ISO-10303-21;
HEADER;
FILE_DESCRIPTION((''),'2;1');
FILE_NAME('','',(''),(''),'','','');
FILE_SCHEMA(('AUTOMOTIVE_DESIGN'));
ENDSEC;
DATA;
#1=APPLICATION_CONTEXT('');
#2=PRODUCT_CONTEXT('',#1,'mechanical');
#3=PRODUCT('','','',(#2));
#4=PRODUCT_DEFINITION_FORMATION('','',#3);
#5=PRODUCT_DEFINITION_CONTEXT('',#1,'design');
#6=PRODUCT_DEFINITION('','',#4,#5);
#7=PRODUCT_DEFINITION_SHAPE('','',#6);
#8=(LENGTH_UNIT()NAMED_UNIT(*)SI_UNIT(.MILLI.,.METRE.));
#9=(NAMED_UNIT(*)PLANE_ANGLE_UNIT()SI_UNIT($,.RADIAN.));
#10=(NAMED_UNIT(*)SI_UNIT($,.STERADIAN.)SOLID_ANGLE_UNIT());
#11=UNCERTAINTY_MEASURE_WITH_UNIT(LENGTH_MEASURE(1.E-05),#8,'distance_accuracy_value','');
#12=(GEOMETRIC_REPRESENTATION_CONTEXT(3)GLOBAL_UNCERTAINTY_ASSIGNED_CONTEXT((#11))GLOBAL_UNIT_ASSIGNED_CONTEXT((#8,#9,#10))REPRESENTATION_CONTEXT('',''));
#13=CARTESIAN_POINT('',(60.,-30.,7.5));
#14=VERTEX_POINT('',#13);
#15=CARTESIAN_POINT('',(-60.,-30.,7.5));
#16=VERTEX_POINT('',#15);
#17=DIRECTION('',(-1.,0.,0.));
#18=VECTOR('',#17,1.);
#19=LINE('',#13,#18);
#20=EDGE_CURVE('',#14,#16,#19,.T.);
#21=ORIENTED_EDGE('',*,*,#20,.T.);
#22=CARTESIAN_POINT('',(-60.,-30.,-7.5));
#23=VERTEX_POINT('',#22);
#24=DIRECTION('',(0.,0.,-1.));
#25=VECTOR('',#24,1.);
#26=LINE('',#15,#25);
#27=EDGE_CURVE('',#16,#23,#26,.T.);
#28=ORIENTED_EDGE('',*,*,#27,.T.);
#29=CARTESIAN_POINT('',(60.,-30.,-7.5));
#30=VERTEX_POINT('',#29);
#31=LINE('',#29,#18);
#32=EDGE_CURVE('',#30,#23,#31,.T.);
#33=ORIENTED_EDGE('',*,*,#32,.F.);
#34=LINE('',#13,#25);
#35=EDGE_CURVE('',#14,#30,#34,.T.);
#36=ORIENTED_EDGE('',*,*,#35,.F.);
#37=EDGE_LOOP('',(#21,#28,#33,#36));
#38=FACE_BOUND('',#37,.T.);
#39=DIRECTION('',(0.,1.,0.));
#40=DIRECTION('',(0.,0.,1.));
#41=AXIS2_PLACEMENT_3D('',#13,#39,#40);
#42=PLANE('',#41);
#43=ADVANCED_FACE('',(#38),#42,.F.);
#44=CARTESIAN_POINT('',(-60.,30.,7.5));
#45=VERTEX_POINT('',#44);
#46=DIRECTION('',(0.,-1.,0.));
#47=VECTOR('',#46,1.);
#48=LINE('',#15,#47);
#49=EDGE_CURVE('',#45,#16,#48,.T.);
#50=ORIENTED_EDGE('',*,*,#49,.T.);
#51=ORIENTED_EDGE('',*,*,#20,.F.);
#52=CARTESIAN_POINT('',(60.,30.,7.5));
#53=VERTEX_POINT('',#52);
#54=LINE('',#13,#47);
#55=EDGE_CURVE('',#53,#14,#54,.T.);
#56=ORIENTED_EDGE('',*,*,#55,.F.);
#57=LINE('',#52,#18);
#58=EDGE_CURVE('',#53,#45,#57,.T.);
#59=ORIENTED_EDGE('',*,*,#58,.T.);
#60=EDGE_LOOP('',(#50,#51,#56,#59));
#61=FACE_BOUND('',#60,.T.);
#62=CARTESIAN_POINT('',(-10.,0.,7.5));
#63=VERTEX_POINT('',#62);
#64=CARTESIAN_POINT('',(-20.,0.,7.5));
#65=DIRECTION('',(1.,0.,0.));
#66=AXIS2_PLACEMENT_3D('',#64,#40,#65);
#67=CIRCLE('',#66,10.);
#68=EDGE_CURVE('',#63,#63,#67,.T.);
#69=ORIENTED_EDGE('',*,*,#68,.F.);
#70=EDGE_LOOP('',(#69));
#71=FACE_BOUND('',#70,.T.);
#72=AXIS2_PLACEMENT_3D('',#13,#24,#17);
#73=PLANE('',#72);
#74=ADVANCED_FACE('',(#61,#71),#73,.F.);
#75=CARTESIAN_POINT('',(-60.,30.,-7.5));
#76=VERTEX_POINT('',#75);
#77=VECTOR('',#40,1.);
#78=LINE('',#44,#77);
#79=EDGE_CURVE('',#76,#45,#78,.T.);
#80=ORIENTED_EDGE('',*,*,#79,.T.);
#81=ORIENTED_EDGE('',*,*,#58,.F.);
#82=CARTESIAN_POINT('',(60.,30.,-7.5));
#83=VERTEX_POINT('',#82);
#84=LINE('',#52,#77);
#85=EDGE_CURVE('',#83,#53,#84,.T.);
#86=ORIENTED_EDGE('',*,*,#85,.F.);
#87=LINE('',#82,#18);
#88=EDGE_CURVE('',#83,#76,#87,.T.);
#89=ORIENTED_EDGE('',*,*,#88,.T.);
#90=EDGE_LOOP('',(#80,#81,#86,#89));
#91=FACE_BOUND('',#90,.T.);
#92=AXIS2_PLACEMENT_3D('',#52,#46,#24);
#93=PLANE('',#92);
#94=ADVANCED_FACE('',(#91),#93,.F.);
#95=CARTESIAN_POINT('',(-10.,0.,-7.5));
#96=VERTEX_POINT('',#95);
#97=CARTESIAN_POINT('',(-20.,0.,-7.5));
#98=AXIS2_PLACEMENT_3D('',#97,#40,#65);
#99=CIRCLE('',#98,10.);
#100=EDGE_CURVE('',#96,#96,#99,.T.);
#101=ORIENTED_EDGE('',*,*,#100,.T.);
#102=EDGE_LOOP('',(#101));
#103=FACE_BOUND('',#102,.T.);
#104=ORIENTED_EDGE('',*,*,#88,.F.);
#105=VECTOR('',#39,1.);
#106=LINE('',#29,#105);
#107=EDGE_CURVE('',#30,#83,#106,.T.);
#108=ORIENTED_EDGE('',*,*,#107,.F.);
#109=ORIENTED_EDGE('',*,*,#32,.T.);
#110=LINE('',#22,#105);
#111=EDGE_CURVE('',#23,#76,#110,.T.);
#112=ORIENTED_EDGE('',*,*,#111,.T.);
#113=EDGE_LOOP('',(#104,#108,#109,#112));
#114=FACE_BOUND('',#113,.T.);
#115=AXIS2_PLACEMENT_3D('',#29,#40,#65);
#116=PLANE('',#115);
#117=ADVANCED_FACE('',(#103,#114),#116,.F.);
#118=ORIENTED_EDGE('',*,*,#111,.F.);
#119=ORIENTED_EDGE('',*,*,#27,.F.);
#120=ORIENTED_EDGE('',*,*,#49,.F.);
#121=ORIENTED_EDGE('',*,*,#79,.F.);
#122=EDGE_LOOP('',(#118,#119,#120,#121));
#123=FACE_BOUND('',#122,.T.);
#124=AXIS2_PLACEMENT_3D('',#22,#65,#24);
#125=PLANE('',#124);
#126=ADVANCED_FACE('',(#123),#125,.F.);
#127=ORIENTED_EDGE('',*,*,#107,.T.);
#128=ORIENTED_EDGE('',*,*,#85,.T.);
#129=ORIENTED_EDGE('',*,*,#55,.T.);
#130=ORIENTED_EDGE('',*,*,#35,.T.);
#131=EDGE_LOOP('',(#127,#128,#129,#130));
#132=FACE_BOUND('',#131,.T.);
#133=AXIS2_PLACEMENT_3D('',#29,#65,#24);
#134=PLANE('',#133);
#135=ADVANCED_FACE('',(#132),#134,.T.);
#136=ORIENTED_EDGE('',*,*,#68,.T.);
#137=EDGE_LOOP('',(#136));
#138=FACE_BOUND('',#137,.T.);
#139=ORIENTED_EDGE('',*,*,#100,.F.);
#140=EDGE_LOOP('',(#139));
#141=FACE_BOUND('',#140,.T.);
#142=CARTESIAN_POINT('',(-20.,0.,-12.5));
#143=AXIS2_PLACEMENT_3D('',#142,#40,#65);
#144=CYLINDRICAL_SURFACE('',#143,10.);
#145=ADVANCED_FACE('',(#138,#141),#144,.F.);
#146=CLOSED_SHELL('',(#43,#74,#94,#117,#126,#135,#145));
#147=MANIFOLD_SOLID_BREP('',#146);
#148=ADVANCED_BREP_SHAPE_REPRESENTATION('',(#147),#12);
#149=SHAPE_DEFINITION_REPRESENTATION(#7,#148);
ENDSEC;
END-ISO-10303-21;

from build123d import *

# Parameters (mm, degrees)
PLAT_W                      = 60
PLAT_H                      = 15
EL_MENT_M_CANO_SOUD_1_DEPTH = 120
ESQUISSE2_R                 = 10
ENL_V_MAT_EXTRU_1_DEPTH     = 20


with BuildPart() as part:
    # plat → Elément mécano-soudé1 (new body)
    with BuildSketch(Plane.YZ.offset(-60)):
        Rectangle(PLAT_W, PLAT_H)
    extrude(amount=EL_MENT_M_CANO_SOUD_1_DEPTH)

    # Esquisse2 → Enlèv. mat.-Extru.1 (cut)
    with BuildSketch(Plane.XY.offset(7.5)):
        with Locations((-20, 0)):
            Circle(ESQUISSE2_R)
    extrude(amount=-ENL_V_MAT_EXTRU_1_DEPTH, mode=Mode.SUBTRACT)


solid = part.part
